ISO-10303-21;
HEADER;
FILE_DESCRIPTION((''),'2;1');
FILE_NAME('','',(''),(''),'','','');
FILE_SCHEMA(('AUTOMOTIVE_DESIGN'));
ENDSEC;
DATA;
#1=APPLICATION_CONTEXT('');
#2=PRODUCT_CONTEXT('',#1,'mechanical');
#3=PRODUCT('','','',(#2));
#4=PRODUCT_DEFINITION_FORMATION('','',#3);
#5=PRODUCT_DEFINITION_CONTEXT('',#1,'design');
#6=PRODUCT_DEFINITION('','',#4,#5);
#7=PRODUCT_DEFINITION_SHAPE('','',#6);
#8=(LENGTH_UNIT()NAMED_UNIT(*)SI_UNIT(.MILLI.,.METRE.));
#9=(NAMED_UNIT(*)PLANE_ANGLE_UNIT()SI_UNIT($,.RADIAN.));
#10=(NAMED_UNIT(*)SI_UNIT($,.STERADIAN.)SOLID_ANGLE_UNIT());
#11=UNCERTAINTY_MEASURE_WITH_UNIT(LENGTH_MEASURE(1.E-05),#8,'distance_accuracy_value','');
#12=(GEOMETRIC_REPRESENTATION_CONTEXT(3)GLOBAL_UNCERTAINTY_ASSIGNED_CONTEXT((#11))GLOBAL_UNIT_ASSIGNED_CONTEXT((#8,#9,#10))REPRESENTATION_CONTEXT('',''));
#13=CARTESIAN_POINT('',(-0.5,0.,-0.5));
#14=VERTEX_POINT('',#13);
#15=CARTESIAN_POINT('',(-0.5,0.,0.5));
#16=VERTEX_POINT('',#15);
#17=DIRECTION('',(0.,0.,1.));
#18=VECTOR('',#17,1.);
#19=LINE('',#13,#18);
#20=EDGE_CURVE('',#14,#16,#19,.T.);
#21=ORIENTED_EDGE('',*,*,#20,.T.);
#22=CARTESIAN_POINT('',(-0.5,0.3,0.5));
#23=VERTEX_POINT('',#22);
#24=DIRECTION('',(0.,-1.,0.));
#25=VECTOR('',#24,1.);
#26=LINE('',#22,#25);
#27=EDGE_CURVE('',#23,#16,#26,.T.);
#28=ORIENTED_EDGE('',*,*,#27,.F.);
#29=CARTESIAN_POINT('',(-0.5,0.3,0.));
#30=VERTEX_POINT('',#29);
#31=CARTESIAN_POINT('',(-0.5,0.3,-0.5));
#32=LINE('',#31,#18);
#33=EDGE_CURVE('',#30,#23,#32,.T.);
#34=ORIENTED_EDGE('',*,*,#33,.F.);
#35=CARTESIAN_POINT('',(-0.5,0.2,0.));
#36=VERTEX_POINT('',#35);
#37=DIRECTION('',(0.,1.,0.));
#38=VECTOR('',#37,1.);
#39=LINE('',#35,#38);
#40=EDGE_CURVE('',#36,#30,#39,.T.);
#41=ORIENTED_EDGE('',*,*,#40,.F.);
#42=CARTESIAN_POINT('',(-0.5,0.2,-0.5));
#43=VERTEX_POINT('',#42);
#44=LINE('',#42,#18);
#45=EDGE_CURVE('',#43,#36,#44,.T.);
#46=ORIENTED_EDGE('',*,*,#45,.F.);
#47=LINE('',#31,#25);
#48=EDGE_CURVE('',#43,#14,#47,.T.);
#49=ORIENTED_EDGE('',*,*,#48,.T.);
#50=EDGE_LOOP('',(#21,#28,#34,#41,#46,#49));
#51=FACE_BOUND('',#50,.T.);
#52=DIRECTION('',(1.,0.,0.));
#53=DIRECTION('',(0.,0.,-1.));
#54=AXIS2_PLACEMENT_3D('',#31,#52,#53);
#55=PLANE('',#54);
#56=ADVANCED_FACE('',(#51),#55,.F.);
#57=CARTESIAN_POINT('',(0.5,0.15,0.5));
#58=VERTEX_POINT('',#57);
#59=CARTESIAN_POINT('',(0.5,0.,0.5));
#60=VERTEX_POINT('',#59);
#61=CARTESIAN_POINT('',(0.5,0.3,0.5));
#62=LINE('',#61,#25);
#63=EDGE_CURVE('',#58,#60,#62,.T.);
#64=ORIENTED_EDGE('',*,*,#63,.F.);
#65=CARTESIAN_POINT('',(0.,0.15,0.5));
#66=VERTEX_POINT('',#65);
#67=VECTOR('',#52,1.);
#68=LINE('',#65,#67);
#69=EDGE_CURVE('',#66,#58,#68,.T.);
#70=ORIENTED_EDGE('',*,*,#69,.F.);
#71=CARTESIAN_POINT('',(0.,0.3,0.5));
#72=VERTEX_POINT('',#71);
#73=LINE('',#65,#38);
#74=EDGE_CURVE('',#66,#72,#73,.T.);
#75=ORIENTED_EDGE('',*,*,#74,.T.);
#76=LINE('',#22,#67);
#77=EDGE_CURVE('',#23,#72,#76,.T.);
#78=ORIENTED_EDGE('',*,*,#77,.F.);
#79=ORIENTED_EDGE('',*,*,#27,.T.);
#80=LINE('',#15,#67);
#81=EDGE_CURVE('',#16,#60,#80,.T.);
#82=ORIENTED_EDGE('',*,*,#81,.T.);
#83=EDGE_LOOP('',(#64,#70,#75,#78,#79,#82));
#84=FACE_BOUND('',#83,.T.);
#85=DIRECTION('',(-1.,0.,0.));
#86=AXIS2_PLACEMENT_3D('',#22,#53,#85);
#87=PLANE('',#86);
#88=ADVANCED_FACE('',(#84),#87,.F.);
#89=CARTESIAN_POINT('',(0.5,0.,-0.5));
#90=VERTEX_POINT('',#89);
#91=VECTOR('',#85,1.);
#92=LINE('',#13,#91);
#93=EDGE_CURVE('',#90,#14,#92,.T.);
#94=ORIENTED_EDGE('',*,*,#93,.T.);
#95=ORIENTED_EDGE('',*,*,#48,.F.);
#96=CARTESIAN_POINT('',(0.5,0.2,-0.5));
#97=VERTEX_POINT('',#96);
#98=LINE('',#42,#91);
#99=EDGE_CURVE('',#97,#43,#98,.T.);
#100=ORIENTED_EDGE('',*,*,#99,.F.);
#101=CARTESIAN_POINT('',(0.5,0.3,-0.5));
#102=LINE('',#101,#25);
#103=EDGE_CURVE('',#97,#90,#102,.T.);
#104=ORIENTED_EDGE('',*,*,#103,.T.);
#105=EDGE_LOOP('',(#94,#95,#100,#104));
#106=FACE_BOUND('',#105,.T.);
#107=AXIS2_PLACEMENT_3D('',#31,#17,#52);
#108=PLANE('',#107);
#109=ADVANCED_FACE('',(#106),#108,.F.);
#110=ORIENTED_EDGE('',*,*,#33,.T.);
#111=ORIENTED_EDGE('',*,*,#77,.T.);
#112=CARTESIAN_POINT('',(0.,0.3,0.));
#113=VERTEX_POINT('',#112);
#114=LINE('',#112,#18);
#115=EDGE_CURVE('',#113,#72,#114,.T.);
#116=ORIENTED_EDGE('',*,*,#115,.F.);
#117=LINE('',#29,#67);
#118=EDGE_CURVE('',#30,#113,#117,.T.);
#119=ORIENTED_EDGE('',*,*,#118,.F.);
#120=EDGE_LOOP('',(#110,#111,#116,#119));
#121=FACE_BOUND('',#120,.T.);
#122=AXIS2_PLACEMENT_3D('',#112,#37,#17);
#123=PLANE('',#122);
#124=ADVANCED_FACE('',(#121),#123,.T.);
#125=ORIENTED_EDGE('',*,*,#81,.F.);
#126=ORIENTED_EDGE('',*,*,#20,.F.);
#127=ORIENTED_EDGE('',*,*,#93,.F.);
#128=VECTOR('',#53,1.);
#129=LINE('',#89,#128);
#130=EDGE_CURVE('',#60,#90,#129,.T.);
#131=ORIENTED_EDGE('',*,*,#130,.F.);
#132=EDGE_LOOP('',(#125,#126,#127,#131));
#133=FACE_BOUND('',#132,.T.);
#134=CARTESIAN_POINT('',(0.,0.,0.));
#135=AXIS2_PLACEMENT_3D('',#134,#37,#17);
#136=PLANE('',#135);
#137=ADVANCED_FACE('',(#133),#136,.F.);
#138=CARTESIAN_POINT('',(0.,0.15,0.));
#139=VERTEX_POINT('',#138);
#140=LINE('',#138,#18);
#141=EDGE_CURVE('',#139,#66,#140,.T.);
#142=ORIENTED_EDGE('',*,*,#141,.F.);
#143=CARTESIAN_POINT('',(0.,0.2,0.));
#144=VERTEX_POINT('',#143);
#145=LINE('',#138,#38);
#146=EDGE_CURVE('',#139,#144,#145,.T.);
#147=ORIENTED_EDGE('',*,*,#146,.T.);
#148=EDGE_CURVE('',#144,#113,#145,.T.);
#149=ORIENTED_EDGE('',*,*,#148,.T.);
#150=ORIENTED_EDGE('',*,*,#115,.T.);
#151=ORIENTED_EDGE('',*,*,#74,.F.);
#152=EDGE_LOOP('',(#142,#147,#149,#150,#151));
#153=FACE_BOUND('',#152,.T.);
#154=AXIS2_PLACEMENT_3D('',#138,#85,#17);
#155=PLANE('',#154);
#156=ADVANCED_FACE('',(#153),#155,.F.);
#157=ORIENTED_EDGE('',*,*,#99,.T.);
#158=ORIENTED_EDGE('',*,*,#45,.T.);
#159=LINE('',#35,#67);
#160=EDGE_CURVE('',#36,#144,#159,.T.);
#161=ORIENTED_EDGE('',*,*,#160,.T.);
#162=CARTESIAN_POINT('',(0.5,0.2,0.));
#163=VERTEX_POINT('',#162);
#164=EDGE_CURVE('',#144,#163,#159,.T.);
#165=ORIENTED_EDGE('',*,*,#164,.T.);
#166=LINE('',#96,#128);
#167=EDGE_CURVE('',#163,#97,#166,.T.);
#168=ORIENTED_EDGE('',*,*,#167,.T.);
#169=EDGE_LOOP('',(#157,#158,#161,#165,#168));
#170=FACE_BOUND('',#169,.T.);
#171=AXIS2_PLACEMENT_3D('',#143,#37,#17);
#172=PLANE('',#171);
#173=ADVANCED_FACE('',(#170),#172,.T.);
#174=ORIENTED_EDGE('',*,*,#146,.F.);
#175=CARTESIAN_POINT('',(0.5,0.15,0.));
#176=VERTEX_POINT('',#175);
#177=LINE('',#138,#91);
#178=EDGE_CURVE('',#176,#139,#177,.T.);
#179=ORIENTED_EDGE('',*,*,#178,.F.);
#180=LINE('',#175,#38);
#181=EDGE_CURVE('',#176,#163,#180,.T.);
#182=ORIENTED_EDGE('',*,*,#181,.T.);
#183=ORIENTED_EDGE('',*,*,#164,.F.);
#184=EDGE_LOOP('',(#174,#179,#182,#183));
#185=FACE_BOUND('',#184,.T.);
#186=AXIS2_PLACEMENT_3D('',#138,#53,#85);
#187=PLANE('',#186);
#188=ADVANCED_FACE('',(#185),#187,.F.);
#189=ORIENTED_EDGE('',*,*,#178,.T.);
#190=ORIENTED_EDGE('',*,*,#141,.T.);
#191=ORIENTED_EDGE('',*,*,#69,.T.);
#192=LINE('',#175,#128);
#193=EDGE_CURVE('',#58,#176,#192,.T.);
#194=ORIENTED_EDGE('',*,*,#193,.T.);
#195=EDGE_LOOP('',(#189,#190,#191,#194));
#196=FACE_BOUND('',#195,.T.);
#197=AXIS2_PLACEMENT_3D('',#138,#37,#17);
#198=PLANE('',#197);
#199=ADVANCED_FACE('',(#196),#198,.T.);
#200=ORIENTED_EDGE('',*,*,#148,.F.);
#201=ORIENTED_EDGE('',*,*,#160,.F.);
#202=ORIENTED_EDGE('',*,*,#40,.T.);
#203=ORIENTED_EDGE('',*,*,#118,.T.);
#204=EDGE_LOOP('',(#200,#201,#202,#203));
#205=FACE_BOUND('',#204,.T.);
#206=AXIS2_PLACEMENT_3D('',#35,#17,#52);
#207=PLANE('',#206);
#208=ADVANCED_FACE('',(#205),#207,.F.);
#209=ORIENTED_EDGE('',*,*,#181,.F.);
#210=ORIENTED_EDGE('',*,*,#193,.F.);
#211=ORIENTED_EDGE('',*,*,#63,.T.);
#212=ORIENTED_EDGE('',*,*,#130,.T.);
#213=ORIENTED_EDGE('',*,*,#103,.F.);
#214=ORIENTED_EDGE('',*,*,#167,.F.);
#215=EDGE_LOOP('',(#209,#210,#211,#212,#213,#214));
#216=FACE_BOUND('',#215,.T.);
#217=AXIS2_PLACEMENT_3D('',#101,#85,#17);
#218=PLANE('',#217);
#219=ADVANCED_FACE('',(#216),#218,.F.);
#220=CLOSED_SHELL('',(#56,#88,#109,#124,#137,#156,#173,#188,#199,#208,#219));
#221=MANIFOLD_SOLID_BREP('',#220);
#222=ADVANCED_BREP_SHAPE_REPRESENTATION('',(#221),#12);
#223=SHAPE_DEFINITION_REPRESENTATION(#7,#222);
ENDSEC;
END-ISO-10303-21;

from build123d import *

# Parameters (mm, degrees)
SKETCH1_W           = 1
SKETCH1_H           = 1
BOSS_EXTRUDE1_DEPTH = 0.3
SKETCH2_W           = 1
SKETCH2_H           = 0.5
CUT_EXTRUDE1_DEPTH  = 0.1
SKETCH4_W           = 0.5
SKETCH4_H           = 0.5
CUT_EXTRUDE2_DEPTH  = 0.15


with BuildPart() as part:
    # Sketch1 → Boss-Extrude1 (new body)
    with BuildSketch(Plane(origin=(0, 0, 0), x_dir=(1, 0, 0), z_dir=(0, 1, 0))):
        Rectangle(SKETCH1_W, SKETCH1_H)
    extrude(amount=BOSS_EXTRUDE1_DEPTH)

    # Sketch2 → Cut-Extrude1 (cut)
    with BuildSketch(Plane(origin=(0, 0.3, 0), x_dir=(1, 0, 0), z_dir=(0, 1, 0))):
        with Locations((0, 0.25)):
            Rectangle(SKETCH2_W, SKETCH2_H)
    extrude(amount=-CUT_EXTRUDE1_DEPTH, mode=Mode.SUBTRACT)

    # Sketch4 → Cut-Extrude2 (cut)
    with BuildSketch(Plane(origin=(0, 0.3, 0), x_dir=(1, 0, 0), z_dir=(0, 1, 0))):
        with Locations((0.25, -0.25)):
            Rectangle(SKETCH4_W, SKETCH4_H)
    extrude(amount=-CUT_EXTRUDE2_DEPTH, mode=Mode.SUBTRACT)


solid = part.part
